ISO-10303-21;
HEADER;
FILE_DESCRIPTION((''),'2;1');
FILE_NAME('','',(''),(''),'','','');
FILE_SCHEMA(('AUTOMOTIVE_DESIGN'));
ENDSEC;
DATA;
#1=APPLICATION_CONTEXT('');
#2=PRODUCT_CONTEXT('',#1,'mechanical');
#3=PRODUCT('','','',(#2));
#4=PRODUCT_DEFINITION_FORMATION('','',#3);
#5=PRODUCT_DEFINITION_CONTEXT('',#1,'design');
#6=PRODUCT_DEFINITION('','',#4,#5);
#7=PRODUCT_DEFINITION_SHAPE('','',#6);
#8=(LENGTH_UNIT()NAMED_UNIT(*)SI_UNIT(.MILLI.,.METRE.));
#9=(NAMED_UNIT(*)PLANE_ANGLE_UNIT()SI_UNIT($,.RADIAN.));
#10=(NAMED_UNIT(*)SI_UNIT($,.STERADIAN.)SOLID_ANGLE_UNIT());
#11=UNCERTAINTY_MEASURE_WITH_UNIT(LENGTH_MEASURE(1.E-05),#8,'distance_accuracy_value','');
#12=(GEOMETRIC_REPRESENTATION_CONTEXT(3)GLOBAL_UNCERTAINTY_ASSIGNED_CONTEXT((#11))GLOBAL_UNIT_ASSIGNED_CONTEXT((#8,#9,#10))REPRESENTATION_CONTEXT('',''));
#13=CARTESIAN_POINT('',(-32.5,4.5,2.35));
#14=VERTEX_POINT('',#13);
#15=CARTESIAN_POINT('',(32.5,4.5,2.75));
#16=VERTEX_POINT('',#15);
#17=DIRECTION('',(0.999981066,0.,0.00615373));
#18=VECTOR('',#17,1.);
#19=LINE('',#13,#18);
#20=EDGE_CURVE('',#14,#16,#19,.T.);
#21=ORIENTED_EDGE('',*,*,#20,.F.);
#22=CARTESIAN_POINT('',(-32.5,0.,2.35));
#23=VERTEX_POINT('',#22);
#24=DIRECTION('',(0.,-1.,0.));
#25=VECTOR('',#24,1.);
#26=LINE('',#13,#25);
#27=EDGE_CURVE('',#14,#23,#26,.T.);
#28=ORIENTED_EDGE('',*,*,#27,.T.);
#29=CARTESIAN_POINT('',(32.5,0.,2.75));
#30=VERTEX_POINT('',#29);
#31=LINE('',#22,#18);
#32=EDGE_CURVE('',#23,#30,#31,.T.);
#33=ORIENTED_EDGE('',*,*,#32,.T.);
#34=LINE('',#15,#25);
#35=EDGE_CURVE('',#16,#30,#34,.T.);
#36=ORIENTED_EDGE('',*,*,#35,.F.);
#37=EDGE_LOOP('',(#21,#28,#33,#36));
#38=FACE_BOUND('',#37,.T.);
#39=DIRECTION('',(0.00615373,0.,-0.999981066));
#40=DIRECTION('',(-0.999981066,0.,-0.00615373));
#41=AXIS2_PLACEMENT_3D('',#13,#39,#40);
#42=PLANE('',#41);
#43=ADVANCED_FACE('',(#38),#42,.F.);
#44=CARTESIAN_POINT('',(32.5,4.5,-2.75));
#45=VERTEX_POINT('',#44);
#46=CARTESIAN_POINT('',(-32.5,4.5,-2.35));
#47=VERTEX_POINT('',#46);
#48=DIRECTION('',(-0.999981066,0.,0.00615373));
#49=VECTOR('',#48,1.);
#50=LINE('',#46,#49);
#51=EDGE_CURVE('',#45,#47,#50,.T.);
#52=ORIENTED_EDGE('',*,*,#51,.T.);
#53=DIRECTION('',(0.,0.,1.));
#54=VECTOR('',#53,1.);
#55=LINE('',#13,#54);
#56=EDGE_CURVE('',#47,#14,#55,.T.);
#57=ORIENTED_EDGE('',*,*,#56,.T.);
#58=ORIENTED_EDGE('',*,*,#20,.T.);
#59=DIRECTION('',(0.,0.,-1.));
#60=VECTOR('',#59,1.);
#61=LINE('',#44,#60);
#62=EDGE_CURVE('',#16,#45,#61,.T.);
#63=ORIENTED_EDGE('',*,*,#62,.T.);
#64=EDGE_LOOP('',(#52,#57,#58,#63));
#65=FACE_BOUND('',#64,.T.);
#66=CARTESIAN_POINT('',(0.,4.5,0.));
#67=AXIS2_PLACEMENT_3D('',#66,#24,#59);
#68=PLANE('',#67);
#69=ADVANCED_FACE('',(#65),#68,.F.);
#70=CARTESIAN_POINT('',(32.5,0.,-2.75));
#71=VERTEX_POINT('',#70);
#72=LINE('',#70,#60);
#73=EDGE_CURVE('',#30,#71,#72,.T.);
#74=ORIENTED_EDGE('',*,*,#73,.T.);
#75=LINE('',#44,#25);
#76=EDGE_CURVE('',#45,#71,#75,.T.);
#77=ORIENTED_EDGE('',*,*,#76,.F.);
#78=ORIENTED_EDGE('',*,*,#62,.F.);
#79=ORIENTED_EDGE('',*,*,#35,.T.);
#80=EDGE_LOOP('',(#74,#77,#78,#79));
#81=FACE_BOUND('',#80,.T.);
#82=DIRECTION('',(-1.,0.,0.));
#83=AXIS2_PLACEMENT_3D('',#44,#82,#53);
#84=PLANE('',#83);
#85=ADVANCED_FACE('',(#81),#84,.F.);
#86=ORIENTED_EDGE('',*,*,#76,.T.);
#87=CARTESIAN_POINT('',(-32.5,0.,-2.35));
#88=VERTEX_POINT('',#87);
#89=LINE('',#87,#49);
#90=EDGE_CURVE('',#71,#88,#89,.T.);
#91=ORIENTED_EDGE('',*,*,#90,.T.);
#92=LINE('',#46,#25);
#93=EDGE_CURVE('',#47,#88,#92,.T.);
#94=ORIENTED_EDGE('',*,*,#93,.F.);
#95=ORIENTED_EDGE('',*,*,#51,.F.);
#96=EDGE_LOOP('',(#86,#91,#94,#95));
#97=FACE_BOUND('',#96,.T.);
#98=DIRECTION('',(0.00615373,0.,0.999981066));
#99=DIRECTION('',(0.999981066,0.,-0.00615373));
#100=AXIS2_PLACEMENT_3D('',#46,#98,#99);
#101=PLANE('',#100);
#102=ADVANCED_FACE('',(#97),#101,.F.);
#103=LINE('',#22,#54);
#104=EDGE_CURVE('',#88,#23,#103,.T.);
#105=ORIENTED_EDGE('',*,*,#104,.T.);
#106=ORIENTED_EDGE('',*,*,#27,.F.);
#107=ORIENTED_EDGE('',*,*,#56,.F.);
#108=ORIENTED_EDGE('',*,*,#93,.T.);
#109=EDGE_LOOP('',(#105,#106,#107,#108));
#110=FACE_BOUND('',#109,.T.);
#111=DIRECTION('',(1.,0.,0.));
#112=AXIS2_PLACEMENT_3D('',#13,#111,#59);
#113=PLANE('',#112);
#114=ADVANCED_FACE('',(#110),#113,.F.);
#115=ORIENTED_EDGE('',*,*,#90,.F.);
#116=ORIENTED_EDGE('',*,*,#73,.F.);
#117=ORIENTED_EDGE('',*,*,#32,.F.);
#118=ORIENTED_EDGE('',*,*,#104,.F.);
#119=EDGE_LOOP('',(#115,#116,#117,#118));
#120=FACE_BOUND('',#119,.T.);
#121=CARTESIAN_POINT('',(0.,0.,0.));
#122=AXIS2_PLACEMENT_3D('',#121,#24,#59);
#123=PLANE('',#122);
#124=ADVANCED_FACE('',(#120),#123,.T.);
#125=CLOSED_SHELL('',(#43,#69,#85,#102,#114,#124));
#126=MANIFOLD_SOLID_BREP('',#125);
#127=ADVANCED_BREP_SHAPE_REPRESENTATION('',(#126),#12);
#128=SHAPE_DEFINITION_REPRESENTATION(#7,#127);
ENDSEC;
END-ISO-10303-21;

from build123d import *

# Parameters (mm, degrees)
BOSS_EXTRUDE1_DEPTH = 4.5


with BuildPart() as part:
    # Sketch1 → Boss-Extrude1 (new body)
    with BuildSketch(Plane(origin=(0, 0, 0), x_dir=(1, 0, 0), z_dir=(0, 1, 0))):
        Polygon((-32.5, -2.35), (-32.5, 2.35), (32.5, 2.75), (32.5, -2.75), align=None)
    extrude(amount=BOSS_EXTRUDE1_DEPTH)


solid = part.part
